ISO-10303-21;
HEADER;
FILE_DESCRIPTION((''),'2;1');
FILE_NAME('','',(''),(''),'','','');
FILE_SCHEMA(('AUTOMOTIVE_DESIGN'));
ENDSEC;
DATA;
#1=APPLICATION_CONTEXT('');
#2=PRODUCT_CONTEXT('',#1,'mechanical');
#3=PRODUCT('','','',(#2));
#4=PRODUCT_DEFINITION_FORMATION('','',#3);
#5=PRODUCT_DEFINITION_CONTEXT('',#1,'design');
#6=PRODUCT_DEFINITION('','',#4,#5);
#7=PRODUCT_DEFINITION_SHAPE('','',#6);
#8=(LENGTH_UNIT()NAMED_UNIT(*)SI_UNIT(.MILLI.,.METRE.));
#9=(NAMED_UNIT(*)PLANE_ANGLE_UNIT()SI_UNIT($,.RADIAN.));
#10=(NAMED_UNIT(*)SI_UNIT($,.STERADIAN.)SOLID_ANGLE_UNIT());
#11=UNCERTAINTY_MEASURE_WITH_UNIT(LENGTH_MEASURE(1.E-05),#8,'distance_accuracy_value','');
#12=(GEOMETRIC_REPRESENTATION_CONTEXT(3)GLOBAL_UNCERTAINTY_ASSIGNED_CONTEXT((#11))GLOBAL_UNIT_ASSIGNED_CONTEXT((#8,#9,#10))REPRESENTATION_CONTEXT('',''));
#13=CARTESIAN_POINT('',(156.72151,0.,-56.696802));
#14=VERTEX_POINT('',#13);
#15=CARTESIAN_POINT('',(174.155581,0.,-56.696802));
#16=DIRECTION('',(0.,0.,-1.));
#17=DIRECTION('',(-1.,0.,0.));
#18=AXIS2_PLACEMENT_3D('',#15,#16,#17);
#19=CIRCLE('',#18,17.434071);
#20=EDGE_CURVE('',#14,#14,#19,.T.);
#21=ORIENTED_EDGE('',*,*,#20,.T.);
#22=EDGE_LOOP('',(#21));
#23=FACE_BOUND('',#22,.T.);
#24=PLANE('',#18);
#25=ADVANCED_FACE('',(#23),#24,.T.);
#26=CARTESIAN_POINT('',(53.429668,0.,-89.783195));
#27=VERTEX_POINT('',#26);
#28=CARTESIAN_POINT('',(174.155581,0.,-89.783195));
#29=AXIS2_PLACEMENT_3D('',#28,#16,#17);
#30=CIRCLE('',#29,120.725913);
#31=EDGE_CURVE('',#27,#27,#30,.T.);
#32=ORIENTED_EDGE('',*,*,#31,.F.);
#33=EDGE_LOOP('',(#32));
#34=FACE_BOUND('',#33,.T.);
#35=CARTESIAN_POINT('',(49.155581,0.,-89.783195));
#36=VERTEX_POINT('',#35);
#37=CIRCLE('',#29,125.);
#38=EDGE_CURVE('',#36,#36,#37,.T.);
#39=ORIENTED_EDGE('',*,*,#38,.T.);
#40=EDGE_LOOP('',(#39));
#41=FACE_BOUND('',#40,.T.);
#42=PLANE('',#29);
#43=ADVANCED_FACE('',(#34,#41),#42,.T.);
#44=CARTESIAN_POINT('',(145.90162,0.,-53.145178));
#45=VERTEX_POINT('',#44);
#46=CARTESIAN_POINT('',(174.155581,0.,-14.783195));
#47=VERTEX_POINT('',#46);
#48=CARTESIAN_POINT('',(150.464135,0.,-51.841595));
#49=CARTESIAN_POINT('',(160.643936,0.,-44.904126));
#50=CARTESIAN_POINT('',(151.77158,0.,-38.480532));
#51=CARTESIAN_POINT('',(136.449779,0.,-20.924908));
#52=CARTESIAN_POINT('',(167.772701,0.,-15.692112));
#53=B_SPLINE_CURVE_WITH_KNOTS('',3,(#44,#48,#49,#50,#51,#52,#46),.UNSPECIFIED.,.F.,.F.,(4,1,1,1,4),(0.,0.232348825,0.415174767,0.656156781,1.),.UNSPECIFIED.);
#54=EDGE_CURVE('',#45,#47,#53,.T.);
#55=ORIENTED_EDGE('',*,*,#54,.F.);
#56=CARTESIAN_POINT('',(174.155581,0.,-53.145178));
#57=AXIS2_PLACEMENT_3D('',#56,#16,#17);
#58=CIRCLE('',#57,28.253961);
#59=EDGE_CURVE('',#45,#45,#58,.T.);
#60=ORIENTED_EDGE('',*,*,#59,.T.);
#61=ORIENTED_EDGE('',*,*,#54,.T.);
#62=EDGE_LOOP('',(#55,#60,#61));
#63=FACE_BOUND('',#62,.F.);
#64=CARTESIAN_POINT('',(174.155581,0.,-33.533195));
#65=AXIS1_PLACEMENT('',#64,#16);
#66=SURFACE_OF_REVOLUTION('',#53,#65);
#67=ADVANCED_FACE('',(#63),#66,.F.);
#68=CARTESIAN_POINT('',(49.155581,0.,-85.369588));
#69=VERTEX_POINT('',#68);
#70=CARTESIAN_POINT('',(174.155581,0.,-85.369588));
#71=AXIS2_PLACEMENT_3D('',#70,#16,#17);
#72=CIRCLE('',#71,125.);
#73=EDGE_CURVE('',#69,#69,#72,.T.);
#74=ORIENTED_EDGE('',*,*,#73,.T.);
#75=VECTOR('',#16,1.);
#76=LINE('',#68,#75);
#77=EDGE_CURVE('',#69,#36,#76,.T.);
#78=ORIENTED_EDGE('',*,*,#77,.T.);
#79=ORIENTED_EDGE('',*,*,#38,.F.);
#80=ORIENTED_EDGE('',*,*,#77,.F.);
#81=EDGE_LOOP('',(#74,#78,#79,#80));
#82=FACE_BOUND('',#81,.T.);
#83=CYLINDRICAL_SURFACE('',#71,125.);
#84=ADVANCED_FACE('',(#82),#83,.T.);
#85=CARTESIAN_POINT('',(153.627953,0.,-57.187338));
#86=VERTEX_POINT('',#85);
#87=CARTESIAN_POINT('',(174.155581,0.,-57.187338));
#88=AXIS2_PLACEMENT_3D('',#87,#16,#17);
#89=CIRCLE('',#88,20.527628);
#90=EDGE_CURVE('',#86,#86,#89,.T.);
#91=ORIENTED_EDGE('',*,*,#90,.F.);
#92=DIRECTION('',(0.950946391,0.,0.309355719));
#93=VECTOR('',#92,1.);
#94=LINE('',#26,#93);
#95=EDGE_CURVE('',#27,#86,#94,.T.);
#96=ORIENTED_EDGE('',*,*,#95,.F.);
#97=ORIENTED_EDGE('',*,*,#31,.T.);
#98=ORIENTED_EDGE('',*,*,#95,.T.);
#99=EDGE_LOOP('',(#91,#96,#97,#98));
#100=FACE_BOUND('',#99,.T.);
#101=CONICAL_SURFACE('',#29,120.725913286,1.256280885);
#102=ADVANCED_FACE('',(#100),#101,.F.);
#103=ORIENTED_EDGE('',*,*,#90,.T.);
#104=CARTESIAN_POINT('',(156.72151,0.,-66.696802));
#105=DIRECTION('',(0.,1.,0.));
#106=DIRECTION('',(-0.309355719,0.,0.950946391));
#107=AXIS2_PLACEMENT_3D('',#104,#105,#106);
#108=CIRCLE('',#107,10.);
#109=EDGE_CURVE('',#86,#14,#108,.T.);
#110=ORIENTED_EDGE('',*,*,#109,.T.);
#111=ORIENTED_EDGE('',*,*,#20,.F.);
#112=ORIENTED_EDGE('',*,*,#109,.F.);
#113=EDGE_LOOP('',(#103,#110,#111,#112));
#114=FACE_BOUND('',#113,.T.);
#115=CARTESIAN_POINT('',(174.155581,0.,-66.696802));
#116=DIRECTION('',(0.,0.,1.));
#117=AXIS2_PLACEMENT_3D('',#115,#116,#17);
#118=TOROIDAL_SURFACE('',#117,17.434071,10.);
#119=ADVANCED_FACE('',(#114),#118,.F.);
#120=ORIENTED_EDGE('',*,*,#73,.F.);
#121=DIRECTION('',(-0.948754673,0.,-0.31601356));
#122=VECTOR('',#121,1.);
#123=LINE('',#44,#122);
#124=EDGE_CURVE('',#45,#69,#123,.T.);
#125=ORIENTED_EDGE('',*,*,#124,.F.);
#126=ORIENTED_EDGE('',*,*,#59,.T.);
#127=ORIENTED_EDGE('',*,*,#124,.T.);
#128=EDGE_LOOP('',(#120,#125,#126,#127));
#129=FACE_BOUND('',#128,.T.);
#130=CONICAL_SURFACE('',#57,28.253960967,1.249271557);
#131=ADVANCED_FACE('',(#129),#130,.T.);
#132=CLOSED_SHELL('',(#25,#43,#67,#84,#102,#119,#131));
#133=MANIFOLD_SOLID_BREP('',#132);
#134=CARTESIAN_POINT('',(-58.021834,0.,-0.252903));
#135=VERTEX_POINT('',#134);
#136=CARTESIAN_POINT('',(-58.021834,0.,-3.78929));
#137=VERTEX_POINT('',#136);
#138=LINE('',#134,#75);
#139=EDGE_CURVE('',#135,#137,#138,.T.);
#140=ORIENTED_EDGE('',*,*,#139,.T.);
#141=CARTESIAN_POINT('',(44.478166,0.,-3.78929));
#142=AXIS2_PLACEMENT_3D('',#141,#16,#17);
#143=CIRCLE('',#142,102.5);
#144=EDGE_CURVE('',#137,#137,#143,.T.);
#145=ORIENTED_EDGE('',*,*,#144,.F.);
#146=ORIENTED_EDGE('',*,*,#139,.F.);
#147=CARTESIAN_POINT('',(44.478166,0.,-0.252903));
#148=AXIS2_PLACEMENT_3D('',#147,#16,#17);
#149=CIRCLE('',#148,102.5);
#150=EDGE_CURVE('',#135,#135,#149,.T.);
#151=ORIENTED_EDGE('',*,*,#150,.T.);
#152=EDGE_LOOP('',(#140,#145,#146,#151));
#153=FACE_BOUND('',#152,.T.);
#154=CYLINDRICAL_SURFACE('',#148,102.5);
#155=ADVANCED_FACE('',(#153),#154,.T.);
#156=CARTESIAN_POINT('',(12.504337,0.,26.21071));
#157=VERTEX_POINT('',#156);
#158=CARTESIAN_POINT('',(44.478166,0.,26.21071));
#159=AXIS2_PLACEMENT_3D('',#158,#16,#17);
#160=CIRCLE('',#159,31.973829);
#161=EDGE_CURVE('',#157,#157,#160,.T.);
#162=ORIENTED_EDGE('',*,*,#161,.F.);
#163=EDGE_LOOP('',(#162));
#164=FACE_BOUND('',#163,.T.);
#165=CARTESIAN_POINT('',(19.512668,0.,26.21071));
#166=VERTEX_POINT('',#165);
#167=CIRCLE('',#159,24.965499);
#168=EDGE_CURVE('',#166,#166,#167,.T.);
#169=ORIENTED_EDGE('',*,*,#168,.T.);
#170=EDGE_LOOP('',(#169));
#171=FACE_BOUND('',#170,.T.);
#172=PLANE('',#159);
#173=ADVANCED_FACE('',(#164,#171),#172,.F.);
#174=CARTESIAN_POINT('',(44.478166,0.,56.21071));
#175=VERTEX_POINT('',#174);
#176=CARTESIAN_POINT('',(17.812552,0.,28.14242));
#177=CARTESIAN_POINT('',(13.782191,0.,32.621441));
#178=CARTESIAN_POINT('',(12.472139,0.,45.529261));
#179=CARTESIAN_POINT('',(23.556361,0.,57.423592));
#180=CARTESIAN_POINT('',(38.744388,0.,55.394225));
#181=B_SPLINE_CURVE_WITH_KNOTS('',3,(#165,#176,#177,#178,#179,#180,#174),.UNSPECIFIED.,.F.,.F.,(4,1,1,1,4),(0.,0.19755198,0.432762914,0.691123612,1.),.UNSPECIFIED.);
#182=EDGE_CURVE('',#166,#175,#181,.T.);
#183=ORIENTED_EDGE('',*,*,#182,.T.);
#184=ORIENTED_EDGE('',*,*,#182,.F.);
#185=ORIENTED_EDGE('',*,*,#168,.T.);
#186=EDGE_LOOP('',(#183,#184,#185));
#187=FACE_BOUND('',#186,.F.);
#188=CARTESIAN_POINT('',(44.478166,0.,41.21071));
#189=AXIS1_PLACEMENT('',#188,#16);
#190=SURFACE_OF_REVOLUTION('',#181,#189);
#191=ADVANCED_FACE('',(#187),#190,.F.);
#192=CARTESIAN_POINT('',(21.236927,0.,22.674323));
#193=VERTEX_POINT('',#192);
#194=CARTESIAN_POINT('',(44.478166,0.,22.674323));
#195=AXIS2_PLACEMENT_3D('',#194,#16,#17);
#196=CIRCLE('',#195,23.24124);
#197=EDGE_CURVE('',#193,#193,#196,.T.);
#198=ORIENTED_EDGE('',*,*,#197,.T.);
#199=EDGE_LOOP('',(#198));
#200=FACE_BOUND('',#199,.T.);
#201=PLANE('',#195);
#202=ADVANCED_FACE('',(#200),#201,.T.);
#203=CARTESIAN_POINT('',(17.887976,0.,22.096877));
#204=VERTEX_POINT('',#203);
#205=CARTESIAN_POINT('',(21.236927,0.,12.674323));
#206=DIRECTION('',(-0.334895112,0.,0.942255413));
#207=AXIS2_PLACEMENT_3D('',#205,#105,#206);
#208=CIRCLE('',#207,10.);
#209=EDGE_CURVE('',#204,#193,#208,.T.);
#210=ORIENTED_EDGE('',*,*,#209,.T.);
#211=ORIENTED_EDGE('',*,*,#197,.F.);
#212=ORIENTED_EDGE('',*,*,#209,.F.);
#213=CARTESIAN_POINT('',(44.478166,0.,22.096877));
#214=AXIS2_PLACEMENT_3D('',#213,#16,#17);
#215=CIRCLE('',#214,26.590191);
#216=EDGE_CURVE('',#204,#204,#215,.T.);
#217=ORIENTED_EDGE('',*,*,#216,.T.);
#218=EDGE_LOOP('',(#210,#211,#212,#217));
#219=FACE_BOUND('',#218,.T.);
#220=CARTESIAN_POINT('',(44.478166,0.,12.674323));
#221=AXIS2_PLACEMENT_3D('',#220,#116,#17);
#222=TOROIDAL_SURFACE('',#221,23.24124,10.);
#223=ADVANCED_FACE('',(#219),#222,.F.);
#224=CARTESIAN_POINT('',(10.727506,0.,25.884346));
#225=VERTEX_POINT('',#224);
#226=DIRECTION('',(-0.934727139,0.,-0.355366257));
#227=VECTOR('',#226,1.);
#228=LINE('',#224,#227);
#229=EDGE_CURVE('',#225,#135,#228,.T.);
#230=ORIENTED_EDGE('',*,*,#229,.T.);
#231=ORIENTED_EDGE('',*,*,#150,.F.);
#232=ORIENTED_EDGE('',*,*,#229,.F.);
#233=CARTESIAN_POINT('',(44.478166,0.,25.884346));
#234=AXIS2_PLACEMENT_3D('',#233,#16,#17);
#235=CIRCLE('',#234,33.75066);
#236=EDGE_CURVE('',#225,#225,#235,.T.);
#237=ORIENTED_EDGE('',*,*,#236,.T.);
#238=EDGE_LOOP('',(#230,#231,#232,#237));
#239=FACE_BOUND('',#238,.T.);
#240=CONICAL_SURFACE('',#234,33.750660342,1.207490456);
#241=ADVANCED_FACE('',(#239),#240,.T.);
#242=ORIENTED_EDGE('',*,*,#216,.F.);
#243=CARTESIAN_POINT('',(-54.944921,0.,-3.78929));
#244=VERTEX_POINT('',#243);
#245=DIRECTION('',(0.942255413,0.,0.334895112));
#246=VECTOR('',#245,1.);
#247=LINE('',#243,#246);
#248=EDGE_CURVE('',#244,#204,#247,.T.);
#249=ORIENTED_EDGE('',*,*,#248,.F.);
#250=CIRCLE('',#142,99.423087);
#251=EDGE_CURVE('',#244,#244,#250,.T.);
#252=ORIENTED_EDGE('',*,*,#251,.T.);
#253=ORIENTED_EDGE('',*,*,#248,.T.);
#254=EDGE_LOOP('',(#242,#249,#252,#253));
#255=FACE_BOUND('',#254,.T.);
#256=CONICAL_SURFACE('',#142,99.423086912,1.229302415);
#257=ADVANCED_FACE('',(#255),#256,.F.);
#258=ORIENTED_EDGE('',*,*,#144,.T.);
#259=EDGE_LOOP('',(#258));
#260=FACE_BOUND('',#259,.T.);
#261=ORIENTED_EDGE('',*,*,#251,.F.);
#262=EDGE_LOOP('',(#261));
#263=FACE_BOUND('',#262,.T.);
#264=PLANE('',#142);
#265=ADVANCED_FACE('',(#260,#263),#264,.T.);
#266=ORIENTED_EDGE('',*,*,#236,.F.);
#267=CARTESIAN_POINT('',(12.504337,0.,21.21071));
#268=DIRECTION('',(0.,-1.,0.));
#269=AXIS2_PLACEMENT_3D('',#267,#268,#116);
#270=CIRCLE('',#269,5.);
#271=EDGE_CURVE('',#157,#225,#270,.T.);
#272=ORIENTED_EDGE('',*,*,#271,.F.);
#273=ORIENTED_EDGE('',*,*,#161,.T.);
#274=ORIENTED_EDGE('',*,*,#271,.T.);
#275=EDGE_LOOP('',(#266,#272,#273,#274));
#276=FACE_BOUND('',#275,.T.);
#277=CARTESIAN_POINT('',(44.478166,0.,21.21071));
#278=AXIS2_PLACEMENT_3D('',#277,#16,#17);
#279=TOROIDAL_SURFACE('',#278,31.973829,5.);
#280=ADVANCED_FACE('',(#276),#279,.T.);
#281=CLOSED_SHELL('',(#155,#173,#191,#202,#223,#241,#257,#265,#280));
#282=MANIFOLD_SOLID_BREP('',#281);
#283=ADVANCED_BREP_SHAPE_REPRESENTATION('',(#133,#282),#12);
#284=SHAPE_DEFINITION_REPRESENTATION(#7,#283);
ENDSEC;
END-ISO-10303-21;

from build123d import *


with BuildPart() as f1:
    # F0 (on Front) → F1 (revolve)
    with BuildSketch(Plane.XZ):
        with BuildLine():
            Line((44.478166363, 26.2107101455), (44.478166363, 56.2107101455))
            add(Edge.make_bspline(
                [(19.5126677775, 26.2107101455), (17.8125519823, 28.1424197578), (13.7821908683, 32.6214414768), (12.4721386359, 45.5292608353), (23.5563612534, 57.4235923177), (38.7443876627, 55.3942253372), (44.478166363, 56.2107101455)],
                knots=[0, 0, 0, 0, 0.1975519799, 0.4327629142, 0.6911236122, 1, 1, 1, 1], degree=3))
            Line((19.5126677775, 26.2107101455), (12.5043373036, 26.2107101455))
            ThreePointArc((12.5043373036, 26.2107101455), (11.6010595128, 26.1284422684), (10.7275060205, 25.8843458386))
            Line((10.7275060205, 25.8843458386), (-58.021833637, -0.2529026377))
            Line((-58.021833637, -0.2529026377), (-58.021833637, -3.7892898545))
            Line((-58.021833637, -3.7892898545), (-54.9449205492, -3.7892898545))
            Line((-54.9449205492, -3.7892898545), (17.8879755242, 22.0968770613))
            ThreePointArc((17.8879755242, 22.0968770613), (19.5377417427, 22.5289041306), (21.2369266466, 22.6743229288))
            Line((21.2369266466, 22.6743229288), (44.478166363, 22.6743229288))
            Line((44.478166363, 22.6743229288), (44.478166363, 26.2107101455))
        make_face()
    revolve(axis=Axis((44.478166363, 0, 41.2107101455), (0, 0, -1)))


with BuildPart() as f2:
    # F0 (on Front) → F2 (revolve)
    with BuildSketch(Plane.XZ):
        with BuildLine():
            Line((174.1555813548, -52.283195349), (174.1555813548, -14.783195349))
            add(Edge.make_bspline(
                [(145.901620388, -53.1451776624), (150.464134757, -51.8415952918), (160.643935905, -44.9041257337), (151.7715800114, -38.4805317433), (136.4497785532, -20.924907826), (167.7727013288, -15.6921115885), (174.1555813548, -14.783195349)],
                knots=[0, 0, 0, 0, 0.2323488255, 0.4151747665, 0.6561567809, 1, 1, 1, 1], degree=3))
            Line((145.901620388, -53.1451776624), (49.1555813548, -85.3695883202))
            Line((49.1555813548, -85.3695883202), (49.1555813548, -89.783195349))
            Line((49.1555813548, -89.783195349), (53.4296680685, -89.783195349))
            Line((53.4296680685, -89.783195349), (153.6279530008, -57.1873384647))
            ThreePointArc((153.6279530008, -57.1873384647), (155.1554066069, -56.82019772), (156.7215101906, -56.6968023777))
            Line((156.7215101906, -56.6968023777), (174.1555813548, -56.6968023777))
            Line((174.1555813548, -56.6968023777), (174.1555813548, -52.283195349))
        make_face()
    revolve(axis=Axis((174.1555813548, 0, -33.533195349), (0, 0, -1)))


solid = Compound([f1.part, f2.part])
